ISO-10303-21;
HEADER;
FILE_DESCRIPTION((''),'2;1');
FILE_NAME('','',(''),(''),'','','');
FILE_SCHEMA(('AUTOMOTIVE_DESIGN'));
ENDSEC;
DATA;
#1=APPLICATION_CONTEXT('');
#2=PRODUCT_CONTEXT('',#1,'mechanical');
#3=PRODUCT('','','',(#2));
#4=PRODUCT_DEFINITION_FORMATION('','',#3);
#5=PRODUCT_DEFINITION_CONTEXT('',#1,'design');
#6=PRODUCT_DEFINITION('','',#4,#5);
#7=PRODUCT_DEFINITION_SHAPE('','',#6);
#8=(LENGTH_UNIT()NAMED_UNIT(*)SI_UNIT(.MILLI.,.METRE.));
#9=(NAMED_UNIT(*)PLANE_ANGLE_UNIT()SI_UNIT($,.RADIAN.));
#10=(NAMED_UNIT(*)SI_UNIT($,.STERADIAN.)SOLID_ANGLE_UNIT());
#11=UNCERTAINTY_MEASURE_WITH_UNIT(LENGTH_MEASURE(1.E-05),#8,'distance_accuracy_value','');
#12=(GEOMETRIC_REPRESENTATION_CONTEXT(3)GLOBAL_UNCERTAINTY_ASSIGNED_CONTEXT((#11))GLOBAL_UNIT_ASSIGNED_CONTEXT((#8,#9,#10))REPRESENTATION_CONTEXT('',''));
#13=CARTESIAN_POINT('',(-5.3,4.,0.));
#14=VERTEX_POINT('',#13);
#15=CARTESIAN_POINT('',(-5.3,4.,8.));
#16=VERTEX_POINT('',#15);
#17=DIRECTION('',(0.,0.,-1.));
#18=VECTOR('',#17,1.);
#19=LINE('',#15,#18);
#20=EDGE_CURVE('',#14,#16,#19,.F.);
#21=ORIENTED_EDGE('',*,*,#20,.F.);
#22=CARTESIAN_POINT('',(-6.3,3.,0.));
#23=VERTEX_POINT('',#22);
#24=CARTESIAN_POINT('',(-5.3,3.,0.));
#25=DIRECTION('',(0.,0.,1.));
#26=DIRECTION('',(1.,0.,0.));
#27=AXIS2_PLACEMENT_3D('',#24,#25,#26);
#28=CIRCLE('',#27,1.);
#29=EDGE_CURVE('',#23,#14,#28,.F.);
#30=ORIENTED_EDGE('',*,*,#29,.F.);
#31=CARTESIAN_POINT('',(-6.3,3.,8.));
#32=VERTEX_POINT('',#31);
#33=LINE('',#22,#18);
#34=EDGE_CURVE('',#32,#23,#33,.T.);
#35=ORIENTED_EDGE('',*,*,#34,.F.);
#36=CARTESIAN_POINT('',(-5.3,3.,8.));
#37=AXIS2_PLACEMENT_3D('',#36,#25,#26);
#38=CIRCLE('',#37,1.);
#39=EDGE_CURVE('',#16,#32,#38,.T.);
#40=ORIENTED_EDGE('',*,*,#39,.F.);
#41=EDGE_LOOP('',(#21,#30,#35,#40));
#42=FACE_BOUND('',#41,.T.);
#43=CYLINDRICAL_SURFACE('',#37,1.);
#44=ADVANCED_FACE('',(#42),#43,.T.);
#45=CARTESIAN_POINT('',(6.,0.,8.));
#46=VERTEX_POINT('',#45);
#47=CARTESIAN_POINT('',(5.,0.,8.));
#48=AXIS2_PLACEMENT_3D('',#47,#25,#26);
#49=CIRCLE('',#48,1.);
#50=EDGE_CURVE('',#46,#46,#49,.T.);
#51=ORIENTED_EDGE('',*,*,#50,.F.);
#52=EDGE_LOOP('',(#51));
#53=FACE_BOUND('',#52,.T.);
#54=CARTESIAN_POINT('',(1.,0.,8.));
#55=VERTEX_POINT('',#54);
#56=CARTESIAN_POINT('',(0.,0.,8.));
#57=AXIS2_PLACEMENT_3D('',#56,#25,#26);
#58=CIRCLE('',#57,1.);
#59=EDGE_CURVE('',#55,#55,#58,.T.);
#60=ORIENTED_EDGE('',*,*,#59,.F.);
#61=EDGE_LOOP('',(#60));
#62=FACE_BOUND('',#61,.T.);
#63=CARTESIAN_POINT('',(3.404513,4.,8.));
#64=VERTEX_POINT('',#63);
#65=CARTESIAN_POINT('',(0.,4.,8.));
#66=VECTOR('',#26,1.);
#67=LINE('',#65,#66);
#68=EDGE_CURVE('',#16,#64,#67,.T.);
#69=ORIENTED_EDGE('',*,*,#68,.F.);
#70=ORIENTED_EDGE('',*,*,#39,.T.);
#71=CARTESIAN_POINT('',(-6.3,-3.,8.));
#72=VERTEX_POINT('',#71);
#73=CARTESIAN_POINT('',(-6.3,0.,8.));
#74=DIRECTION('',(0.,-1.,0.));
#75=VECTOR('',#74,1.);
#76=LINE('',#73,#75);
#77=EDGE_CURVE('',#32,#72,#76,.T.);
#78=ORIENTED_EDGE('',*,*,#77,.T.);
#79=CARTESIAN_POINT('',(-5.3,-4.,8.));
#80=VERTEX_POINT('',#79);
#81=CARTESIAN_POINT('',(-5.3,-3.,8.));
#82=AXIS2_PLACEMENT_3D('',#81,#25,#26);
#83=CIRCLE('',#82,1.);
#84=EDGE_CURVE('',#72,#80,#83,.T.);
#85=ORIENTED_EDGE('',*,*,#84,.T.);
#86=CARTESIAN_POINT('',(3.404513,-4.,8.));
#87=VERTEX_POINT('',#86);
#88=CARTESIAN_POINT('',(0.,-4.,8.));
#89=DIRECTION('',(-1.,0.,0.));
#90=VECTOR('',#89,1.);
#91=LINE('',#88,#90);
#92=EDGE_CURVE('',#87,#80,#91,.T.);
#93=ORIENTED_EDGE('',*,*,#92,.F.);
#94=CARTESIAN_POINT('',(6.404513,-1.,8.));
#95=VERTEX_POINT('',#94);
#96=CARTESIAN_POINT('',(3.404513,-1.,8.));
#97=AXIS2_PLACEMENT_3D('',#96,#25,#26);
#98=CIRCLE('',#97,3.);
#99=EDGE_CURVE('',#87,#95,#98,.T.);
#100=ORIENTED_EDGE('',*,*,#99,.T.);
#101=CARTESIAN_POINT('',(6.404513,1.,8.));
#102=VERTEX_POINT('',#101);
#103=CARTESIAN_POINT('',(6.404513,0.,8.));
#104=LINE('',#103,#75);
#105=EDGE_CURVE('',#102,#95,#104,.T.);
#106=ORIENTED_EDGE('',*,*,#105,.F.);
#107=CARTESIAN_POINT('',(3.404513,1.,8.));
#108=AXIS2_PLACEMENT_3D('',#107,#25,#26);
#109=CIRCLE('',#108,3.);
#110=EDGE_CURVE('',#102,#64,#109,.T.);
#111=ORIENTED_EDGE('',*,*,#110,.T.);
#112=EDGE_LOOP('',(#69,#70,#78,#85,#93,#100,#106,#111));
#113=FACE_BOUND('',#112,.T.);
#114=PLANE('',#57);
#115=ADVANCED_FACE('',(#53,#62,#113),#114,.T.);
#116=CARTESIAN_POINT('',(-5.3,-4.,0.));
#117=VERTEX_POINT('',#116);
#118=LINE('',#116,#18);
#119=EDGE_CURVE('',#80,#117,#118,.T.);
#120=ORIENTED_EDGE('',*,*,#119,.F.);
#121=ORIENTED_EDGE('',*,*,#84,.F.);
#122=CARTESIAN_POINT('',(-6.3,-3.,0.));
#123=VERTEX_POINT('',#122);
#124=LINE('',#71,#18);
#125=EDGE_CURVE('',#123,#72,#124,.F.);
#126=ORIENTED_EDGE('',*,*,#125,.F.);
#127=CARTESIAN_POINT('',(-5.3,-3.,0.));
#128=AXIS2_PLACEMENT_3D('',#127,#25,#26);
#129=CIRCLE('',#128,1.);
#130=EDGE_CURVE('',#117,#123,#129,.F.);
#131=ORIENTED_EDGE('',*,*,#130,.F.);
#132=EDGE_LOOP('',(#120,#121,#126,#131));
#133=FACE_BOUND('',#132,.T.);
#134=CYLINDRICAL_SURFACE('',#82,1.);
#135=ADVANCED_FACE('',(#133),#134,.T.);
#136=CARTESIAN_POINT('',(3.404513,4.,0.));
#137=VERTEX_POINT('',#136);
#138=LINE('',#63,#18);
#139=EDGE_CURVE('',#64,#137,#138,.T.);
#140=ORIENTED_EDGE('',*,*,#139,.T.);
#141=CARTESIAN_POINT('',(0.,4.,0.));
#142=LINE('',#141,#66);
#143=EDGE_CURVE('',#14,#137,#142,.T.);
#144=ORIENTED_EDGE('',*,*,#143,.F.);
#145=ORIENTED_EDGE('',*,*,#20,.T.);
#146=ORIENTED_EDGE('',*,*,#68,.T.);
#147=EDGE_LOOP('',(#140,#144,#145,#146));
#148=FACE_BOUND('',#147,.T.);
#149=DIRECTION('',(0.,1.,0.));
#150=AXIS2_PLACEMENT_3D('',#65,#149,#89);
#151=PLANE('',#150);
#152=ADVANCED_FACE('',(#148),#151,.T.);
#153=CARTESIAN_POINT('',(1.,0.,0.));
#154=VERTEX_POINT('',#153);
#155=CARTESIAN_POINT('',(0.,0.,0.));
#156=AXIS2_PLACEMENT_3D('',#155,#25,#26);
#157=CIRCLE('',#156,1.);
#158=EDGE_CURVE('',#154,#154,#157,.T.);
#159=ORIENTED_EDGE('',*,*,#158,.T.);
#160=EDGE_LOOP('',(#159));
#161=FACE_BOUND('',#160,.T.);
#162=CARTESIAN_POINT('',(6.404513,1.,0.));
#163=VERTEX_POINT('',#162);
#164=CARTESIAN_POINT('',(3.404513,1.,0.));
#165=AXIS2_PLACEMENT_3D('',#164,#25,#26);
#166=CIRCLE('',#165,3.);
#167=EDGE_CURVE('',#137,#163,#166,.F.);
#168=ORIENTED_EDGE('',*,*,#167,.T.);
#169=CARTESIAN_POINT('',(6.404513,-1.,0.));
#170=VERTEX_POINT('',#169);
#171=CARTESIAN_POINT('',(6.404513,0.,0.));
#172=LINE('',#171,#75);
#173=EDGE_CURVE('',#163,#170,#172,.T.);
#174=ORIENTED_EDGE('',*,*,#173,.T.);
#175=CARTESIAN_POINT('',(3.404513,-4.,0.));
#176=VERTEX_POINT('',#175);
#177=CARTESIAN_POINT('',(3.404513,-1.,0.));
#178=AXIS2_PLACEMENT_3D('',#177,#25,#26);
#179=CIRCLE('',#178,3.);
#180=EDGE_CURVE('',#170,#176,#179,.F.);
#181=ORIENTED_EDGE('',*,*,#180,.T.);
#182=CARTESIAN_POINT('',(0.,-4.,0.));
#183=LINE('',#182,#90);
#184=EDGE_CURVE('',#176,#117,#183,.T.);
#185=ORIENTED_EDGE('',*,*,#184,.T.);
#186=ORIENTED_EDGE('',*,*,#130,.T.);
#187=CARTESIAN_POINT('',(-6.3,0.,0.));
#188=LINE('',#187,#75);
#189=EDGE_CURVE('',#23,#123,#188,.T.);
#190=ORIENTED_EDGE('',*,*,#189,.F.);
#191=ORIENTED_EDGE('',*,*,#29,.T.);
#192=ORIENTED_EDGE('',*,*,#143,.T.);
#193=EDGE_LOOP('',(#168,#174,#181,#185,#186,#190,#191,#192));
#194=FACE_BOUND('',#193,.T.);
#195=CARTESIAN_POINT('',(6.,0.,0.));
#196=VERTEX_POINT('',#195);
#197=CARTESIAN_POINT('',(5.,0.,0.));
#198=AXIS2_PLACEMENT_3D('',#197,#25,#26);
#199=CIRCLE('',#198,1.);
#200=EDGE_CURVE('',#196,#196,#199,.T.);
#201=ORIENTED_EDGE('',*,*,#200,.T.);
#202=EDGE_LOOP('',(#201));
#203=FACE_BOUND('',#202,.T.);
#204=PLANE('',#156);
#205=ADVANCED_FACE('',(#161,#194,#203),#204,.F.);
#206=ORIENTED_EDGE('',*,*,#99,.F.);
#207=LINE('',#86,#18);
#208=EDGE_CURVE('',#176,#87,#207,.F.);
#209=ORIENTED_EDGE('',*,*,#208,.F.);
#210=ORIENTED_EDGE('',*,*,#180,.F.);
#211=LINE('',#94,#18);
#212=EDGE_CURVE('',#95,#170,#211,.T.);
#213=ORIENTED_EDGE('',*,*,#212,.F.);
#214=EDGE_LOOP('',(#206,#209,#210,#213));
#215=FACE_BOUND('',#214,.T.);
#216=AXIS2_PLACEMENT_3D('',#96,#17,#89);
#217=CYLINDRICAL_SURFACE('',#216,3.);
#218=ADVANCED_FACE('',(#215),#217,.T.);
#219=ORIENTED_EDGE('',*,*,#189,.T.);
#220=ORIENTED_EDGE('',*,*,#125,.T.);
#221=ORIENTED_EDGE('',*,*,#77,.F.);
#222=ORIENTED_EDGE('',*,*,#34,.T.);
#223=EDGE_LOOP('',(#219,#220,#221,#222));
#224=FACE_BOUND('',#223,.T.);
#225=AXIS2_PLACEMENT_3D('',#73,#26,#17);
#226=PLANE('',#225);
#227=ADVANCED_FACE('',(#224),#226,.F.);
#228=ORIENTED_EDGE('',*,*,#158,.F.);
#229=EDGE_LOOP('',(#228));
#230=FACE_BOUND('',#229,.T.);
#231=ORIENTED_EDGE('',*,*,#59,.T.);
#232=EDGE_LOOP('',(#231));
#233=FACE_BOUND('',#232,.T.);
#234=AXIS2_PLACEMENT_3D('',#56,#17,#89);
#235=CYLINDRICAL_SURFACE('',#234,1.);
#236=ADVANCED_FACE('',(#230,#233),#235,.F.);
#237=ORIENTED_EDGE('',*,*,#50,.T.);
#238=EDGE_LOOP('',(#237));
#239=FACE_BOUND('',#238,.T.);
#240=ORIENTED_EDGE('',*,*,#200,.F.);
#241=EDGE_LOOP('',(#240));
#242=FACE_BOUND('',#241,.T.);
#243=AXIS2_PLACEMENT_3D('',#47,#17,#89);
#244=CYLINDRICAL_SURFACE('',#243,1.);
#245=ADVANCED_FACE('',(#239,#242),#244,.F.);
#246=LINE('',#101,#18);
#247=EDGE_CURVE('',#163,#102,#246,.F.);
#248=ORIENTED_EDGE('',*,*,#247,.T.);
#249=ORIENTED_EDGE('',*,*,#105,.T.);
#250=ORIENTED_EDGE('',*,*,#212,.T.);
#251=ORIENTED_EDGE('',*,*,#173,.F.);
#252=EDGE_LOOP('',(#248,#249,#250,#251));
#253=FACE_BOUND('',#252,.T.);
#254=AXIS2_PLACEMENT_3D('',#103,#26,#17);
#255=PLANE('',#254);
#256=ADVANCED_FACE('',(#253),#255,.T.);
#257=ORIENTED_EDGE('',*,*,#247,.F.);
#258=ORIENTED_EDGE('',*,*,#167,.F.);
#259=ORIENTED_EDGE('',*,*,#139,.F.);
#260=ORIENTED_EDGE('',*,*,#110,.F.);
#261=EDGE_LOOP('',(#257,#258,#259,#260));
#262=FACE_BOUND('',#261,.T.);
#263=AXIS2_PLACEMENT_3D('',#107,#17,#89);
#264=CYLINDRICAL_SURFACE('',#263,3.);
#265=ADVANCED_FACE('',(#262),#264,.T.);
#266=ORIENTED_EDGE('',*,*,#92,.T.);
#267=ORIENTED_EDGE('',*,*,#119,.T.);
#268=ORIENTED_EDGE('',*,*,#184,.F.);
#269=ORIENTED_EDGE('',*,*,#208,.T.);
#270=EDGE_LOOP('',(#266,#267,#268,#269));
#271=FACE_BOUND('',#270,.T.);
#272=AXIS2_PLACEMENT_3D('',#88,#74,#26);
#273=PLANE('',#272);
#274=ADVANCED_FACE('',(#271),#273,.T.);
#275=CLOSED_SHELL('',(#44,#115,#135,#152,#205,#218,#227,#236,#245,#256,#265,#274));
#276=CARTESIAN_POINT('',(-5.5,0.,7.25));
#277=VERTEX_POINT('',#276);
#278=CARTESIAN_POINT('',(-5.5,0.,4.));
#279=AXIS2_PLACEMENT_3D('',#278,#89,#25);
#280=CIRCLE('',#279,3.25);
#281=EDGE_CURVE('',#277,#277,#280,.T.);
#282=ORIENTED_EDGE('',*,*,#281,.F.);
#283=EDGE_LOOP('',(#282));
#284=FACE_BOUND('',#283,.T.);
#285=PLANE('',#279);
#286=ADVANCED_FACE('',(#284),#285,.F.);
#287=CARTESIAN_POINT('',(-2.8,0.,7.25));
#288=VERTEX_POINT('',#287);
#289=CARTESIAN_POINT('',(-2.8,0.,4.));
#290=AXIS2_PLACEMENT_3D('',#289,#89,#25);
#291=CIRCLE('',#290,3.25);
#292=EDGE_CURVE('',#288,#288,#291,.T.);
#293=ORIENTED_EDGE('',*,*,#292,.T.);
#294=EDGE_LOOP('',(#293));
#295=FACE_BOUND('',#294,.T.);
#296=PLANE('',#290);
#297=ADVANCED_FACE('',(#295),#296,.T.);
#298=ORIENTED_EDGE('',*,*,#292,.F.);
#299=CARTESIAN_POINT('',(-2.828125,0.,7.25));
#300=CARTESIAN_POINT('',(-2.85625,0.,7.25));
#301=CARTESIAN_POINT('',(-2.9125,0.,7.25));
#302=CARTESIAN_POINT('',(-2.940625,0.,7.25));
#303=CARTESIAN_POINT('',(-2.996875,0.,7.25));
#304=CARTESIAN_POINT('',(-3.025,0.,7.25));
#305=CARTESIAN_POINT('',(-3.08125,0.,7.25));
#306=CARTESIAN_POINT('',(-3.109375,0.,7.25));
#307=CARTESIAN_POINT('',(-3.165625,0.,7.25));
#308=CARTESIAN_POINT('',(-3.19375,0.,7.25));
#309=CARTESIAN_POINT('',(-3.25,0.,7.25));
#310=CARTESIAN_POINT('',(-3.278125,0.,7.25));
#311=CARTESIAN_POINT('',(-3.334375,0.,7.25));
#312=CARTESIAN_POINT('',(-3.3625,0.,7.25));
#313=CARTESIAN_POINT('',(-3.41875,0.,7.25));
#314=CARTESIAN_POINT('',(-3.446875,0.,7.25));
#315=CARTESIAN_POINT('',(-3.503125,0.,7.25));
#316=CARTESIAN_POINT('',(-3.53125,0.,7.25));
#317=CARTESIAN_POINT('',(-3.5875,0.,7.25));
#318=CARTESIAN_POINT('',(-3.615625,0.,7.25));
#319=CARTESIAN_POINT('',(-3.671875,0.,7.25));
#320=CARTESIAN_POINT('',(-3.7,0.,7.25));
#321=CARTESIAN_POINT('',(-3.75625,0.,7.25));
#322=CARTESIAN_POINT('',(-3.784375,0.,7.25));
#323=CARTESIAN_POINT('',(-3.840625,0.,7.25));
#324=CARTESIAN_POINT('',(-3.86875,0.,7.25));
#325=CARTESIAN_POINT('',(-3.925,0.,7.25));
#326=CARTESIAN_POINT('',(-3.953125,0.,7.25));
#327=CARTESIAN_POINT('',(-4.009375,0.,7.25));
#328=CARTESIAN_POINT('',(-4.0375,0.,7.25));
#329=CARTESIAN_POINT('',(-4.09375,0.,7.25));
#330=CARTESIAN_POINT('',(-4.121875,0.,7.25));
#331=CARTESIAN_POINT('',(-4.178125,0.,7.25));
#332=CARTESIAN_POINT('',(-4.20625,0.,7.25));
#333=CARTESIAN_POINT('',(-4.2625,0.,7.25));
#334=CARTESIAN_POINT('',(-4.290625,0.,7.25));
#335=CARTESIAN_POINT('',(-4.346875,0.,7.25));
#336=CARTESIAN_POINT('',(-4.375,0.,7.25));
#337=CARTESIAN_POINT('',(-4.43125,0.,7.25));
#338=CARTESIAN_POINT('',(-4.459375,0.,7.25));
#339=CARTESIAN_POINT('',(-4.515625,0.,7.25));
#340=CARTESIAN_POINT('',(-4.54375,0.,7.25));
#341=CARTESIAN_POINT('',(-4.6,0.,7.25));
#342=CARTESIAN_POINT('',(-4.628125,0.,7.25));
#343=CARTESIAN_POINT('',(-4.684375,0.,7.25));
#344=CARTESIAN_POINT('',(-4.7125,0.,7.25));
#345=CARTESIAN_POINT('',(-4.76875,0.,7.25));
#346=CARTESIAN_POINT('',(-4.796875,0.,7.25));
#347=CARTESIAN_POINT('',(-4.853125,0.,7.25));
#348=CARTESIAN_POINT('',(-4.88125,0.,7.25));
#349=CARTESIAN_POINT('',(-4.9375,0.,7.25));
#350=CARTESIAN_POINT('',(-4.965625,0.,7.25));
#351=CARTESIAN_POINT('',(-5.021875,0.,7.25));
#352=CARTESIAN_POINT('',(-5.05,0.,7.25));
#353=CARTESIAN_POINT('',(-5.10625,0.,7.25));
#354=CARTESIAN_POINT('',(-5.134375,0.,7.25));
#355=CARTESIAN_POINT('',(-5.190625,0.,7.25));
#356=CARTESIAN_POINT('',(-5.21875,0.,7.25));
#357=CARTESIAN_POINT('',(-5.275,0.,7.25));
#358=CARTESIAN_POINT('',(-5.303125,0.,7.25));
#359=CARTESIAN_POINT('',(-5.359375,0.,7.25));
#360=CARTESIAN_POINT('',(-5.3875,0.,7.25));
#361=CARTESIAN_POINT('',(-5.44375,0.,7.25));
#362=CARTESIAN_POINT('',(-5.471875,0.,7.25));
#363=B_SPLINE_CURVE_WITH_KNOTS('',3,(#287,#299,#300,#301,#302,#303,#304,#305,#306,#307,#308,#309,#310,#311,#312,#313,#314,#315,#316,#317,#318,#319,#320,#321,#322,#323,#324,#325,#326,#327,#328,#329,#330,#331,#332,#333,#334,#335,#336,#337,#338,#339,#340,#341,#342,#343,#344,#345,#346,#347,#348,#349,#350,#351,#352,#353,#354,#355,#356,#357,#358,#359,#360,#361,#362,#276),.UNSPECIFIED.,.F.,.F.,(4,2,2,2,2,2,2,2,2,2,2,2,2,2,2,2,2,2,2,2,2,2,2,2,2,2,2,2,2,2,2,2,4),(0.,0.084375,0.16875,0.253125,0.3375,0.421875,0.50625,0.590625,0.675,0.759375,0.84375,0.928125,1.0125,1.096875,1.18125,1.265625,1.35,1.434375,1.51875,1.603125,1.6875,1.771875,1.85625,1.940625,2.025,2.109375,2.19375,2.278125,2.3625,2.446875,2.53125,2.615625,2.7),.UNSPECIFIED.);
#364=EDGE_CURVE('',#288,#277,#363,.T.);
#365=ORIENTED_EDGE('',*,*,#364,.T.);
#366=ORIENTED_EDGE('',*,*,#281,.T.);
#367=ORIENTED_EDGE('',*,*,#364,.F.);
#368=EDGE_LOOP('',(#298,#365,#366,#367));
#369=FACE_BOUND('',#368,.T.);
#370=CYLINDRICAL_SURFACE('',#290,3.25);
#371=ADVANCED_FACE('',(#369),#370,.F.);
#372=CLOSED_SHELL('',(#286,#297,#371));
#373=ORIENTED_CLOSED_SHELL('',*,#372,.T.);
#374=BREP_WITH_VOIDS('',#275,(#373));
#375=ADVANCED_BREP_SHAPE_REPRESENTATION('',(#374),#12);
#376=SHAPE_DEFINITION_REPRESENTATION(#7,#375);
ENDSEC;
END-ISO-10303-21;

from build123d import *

# Parameters (mm, degrees)
SKETCH1_W           = 12.70451268
SKETCH1_H           = 8
SKETCH1_R           = 1
BOSS_EXTRUDE1_DEPTH = 8
CUT_EXTRUDE3_START  = -0.8
SKETCH4_R           = 3.25
CUT_EXTRUDE3_DEPTH  = 2.7
FILLET2_R           = 1
FILLET3_R           = 3


with BuildPart() as part:
    # Sketch1 → Boss-Extrude1 (new body)
    with BuildSketch(Plane.XY):
        with Locations((0.05225634, 0)):
            Rectangle(SKETCH1_W, SKETCH1_H)
        Circle(SKETCH1_R, mode=Mode.SUBTRACT)
        with Locations((5, 0)):
            Circle(SKETCH1_R, mode=Mode.SUBTRACT)
    extrude(amount=BOSS_EXTRUDE1_DEPTH)

    # Sketch4 → Cut-Extrude3 (cut)
    with BuildSketch(Plane.ZY.offset(6.3).offset(CUT_EXTRUDE3_START)):
        with Locations((4, 0)):
            Circle(SKETCH4_R)
    extrude(amount=-CUT_EXTRUDE3_DEPTH, mode=Mode.SUBTRACT)

    # Fillet2
    fillet2_edges = [part.edges().sort_by_distance(p)[0] for p in [
        (-6.3, -4, 4),
        (-6.3, 4, 4),
    ]]
    fillet(fillet2_edges, radius=FILLET2_R)

    # Fillet3
    fillet3_edges = [part.edges().sort_by_distance(p)[0] for p in [
        (6.40451268, 4, 4),
        (6.40451268, -4, 4),
    ]]
    fillet(fillet3_edges, radius=FILLET3_R)


solid = part.part
